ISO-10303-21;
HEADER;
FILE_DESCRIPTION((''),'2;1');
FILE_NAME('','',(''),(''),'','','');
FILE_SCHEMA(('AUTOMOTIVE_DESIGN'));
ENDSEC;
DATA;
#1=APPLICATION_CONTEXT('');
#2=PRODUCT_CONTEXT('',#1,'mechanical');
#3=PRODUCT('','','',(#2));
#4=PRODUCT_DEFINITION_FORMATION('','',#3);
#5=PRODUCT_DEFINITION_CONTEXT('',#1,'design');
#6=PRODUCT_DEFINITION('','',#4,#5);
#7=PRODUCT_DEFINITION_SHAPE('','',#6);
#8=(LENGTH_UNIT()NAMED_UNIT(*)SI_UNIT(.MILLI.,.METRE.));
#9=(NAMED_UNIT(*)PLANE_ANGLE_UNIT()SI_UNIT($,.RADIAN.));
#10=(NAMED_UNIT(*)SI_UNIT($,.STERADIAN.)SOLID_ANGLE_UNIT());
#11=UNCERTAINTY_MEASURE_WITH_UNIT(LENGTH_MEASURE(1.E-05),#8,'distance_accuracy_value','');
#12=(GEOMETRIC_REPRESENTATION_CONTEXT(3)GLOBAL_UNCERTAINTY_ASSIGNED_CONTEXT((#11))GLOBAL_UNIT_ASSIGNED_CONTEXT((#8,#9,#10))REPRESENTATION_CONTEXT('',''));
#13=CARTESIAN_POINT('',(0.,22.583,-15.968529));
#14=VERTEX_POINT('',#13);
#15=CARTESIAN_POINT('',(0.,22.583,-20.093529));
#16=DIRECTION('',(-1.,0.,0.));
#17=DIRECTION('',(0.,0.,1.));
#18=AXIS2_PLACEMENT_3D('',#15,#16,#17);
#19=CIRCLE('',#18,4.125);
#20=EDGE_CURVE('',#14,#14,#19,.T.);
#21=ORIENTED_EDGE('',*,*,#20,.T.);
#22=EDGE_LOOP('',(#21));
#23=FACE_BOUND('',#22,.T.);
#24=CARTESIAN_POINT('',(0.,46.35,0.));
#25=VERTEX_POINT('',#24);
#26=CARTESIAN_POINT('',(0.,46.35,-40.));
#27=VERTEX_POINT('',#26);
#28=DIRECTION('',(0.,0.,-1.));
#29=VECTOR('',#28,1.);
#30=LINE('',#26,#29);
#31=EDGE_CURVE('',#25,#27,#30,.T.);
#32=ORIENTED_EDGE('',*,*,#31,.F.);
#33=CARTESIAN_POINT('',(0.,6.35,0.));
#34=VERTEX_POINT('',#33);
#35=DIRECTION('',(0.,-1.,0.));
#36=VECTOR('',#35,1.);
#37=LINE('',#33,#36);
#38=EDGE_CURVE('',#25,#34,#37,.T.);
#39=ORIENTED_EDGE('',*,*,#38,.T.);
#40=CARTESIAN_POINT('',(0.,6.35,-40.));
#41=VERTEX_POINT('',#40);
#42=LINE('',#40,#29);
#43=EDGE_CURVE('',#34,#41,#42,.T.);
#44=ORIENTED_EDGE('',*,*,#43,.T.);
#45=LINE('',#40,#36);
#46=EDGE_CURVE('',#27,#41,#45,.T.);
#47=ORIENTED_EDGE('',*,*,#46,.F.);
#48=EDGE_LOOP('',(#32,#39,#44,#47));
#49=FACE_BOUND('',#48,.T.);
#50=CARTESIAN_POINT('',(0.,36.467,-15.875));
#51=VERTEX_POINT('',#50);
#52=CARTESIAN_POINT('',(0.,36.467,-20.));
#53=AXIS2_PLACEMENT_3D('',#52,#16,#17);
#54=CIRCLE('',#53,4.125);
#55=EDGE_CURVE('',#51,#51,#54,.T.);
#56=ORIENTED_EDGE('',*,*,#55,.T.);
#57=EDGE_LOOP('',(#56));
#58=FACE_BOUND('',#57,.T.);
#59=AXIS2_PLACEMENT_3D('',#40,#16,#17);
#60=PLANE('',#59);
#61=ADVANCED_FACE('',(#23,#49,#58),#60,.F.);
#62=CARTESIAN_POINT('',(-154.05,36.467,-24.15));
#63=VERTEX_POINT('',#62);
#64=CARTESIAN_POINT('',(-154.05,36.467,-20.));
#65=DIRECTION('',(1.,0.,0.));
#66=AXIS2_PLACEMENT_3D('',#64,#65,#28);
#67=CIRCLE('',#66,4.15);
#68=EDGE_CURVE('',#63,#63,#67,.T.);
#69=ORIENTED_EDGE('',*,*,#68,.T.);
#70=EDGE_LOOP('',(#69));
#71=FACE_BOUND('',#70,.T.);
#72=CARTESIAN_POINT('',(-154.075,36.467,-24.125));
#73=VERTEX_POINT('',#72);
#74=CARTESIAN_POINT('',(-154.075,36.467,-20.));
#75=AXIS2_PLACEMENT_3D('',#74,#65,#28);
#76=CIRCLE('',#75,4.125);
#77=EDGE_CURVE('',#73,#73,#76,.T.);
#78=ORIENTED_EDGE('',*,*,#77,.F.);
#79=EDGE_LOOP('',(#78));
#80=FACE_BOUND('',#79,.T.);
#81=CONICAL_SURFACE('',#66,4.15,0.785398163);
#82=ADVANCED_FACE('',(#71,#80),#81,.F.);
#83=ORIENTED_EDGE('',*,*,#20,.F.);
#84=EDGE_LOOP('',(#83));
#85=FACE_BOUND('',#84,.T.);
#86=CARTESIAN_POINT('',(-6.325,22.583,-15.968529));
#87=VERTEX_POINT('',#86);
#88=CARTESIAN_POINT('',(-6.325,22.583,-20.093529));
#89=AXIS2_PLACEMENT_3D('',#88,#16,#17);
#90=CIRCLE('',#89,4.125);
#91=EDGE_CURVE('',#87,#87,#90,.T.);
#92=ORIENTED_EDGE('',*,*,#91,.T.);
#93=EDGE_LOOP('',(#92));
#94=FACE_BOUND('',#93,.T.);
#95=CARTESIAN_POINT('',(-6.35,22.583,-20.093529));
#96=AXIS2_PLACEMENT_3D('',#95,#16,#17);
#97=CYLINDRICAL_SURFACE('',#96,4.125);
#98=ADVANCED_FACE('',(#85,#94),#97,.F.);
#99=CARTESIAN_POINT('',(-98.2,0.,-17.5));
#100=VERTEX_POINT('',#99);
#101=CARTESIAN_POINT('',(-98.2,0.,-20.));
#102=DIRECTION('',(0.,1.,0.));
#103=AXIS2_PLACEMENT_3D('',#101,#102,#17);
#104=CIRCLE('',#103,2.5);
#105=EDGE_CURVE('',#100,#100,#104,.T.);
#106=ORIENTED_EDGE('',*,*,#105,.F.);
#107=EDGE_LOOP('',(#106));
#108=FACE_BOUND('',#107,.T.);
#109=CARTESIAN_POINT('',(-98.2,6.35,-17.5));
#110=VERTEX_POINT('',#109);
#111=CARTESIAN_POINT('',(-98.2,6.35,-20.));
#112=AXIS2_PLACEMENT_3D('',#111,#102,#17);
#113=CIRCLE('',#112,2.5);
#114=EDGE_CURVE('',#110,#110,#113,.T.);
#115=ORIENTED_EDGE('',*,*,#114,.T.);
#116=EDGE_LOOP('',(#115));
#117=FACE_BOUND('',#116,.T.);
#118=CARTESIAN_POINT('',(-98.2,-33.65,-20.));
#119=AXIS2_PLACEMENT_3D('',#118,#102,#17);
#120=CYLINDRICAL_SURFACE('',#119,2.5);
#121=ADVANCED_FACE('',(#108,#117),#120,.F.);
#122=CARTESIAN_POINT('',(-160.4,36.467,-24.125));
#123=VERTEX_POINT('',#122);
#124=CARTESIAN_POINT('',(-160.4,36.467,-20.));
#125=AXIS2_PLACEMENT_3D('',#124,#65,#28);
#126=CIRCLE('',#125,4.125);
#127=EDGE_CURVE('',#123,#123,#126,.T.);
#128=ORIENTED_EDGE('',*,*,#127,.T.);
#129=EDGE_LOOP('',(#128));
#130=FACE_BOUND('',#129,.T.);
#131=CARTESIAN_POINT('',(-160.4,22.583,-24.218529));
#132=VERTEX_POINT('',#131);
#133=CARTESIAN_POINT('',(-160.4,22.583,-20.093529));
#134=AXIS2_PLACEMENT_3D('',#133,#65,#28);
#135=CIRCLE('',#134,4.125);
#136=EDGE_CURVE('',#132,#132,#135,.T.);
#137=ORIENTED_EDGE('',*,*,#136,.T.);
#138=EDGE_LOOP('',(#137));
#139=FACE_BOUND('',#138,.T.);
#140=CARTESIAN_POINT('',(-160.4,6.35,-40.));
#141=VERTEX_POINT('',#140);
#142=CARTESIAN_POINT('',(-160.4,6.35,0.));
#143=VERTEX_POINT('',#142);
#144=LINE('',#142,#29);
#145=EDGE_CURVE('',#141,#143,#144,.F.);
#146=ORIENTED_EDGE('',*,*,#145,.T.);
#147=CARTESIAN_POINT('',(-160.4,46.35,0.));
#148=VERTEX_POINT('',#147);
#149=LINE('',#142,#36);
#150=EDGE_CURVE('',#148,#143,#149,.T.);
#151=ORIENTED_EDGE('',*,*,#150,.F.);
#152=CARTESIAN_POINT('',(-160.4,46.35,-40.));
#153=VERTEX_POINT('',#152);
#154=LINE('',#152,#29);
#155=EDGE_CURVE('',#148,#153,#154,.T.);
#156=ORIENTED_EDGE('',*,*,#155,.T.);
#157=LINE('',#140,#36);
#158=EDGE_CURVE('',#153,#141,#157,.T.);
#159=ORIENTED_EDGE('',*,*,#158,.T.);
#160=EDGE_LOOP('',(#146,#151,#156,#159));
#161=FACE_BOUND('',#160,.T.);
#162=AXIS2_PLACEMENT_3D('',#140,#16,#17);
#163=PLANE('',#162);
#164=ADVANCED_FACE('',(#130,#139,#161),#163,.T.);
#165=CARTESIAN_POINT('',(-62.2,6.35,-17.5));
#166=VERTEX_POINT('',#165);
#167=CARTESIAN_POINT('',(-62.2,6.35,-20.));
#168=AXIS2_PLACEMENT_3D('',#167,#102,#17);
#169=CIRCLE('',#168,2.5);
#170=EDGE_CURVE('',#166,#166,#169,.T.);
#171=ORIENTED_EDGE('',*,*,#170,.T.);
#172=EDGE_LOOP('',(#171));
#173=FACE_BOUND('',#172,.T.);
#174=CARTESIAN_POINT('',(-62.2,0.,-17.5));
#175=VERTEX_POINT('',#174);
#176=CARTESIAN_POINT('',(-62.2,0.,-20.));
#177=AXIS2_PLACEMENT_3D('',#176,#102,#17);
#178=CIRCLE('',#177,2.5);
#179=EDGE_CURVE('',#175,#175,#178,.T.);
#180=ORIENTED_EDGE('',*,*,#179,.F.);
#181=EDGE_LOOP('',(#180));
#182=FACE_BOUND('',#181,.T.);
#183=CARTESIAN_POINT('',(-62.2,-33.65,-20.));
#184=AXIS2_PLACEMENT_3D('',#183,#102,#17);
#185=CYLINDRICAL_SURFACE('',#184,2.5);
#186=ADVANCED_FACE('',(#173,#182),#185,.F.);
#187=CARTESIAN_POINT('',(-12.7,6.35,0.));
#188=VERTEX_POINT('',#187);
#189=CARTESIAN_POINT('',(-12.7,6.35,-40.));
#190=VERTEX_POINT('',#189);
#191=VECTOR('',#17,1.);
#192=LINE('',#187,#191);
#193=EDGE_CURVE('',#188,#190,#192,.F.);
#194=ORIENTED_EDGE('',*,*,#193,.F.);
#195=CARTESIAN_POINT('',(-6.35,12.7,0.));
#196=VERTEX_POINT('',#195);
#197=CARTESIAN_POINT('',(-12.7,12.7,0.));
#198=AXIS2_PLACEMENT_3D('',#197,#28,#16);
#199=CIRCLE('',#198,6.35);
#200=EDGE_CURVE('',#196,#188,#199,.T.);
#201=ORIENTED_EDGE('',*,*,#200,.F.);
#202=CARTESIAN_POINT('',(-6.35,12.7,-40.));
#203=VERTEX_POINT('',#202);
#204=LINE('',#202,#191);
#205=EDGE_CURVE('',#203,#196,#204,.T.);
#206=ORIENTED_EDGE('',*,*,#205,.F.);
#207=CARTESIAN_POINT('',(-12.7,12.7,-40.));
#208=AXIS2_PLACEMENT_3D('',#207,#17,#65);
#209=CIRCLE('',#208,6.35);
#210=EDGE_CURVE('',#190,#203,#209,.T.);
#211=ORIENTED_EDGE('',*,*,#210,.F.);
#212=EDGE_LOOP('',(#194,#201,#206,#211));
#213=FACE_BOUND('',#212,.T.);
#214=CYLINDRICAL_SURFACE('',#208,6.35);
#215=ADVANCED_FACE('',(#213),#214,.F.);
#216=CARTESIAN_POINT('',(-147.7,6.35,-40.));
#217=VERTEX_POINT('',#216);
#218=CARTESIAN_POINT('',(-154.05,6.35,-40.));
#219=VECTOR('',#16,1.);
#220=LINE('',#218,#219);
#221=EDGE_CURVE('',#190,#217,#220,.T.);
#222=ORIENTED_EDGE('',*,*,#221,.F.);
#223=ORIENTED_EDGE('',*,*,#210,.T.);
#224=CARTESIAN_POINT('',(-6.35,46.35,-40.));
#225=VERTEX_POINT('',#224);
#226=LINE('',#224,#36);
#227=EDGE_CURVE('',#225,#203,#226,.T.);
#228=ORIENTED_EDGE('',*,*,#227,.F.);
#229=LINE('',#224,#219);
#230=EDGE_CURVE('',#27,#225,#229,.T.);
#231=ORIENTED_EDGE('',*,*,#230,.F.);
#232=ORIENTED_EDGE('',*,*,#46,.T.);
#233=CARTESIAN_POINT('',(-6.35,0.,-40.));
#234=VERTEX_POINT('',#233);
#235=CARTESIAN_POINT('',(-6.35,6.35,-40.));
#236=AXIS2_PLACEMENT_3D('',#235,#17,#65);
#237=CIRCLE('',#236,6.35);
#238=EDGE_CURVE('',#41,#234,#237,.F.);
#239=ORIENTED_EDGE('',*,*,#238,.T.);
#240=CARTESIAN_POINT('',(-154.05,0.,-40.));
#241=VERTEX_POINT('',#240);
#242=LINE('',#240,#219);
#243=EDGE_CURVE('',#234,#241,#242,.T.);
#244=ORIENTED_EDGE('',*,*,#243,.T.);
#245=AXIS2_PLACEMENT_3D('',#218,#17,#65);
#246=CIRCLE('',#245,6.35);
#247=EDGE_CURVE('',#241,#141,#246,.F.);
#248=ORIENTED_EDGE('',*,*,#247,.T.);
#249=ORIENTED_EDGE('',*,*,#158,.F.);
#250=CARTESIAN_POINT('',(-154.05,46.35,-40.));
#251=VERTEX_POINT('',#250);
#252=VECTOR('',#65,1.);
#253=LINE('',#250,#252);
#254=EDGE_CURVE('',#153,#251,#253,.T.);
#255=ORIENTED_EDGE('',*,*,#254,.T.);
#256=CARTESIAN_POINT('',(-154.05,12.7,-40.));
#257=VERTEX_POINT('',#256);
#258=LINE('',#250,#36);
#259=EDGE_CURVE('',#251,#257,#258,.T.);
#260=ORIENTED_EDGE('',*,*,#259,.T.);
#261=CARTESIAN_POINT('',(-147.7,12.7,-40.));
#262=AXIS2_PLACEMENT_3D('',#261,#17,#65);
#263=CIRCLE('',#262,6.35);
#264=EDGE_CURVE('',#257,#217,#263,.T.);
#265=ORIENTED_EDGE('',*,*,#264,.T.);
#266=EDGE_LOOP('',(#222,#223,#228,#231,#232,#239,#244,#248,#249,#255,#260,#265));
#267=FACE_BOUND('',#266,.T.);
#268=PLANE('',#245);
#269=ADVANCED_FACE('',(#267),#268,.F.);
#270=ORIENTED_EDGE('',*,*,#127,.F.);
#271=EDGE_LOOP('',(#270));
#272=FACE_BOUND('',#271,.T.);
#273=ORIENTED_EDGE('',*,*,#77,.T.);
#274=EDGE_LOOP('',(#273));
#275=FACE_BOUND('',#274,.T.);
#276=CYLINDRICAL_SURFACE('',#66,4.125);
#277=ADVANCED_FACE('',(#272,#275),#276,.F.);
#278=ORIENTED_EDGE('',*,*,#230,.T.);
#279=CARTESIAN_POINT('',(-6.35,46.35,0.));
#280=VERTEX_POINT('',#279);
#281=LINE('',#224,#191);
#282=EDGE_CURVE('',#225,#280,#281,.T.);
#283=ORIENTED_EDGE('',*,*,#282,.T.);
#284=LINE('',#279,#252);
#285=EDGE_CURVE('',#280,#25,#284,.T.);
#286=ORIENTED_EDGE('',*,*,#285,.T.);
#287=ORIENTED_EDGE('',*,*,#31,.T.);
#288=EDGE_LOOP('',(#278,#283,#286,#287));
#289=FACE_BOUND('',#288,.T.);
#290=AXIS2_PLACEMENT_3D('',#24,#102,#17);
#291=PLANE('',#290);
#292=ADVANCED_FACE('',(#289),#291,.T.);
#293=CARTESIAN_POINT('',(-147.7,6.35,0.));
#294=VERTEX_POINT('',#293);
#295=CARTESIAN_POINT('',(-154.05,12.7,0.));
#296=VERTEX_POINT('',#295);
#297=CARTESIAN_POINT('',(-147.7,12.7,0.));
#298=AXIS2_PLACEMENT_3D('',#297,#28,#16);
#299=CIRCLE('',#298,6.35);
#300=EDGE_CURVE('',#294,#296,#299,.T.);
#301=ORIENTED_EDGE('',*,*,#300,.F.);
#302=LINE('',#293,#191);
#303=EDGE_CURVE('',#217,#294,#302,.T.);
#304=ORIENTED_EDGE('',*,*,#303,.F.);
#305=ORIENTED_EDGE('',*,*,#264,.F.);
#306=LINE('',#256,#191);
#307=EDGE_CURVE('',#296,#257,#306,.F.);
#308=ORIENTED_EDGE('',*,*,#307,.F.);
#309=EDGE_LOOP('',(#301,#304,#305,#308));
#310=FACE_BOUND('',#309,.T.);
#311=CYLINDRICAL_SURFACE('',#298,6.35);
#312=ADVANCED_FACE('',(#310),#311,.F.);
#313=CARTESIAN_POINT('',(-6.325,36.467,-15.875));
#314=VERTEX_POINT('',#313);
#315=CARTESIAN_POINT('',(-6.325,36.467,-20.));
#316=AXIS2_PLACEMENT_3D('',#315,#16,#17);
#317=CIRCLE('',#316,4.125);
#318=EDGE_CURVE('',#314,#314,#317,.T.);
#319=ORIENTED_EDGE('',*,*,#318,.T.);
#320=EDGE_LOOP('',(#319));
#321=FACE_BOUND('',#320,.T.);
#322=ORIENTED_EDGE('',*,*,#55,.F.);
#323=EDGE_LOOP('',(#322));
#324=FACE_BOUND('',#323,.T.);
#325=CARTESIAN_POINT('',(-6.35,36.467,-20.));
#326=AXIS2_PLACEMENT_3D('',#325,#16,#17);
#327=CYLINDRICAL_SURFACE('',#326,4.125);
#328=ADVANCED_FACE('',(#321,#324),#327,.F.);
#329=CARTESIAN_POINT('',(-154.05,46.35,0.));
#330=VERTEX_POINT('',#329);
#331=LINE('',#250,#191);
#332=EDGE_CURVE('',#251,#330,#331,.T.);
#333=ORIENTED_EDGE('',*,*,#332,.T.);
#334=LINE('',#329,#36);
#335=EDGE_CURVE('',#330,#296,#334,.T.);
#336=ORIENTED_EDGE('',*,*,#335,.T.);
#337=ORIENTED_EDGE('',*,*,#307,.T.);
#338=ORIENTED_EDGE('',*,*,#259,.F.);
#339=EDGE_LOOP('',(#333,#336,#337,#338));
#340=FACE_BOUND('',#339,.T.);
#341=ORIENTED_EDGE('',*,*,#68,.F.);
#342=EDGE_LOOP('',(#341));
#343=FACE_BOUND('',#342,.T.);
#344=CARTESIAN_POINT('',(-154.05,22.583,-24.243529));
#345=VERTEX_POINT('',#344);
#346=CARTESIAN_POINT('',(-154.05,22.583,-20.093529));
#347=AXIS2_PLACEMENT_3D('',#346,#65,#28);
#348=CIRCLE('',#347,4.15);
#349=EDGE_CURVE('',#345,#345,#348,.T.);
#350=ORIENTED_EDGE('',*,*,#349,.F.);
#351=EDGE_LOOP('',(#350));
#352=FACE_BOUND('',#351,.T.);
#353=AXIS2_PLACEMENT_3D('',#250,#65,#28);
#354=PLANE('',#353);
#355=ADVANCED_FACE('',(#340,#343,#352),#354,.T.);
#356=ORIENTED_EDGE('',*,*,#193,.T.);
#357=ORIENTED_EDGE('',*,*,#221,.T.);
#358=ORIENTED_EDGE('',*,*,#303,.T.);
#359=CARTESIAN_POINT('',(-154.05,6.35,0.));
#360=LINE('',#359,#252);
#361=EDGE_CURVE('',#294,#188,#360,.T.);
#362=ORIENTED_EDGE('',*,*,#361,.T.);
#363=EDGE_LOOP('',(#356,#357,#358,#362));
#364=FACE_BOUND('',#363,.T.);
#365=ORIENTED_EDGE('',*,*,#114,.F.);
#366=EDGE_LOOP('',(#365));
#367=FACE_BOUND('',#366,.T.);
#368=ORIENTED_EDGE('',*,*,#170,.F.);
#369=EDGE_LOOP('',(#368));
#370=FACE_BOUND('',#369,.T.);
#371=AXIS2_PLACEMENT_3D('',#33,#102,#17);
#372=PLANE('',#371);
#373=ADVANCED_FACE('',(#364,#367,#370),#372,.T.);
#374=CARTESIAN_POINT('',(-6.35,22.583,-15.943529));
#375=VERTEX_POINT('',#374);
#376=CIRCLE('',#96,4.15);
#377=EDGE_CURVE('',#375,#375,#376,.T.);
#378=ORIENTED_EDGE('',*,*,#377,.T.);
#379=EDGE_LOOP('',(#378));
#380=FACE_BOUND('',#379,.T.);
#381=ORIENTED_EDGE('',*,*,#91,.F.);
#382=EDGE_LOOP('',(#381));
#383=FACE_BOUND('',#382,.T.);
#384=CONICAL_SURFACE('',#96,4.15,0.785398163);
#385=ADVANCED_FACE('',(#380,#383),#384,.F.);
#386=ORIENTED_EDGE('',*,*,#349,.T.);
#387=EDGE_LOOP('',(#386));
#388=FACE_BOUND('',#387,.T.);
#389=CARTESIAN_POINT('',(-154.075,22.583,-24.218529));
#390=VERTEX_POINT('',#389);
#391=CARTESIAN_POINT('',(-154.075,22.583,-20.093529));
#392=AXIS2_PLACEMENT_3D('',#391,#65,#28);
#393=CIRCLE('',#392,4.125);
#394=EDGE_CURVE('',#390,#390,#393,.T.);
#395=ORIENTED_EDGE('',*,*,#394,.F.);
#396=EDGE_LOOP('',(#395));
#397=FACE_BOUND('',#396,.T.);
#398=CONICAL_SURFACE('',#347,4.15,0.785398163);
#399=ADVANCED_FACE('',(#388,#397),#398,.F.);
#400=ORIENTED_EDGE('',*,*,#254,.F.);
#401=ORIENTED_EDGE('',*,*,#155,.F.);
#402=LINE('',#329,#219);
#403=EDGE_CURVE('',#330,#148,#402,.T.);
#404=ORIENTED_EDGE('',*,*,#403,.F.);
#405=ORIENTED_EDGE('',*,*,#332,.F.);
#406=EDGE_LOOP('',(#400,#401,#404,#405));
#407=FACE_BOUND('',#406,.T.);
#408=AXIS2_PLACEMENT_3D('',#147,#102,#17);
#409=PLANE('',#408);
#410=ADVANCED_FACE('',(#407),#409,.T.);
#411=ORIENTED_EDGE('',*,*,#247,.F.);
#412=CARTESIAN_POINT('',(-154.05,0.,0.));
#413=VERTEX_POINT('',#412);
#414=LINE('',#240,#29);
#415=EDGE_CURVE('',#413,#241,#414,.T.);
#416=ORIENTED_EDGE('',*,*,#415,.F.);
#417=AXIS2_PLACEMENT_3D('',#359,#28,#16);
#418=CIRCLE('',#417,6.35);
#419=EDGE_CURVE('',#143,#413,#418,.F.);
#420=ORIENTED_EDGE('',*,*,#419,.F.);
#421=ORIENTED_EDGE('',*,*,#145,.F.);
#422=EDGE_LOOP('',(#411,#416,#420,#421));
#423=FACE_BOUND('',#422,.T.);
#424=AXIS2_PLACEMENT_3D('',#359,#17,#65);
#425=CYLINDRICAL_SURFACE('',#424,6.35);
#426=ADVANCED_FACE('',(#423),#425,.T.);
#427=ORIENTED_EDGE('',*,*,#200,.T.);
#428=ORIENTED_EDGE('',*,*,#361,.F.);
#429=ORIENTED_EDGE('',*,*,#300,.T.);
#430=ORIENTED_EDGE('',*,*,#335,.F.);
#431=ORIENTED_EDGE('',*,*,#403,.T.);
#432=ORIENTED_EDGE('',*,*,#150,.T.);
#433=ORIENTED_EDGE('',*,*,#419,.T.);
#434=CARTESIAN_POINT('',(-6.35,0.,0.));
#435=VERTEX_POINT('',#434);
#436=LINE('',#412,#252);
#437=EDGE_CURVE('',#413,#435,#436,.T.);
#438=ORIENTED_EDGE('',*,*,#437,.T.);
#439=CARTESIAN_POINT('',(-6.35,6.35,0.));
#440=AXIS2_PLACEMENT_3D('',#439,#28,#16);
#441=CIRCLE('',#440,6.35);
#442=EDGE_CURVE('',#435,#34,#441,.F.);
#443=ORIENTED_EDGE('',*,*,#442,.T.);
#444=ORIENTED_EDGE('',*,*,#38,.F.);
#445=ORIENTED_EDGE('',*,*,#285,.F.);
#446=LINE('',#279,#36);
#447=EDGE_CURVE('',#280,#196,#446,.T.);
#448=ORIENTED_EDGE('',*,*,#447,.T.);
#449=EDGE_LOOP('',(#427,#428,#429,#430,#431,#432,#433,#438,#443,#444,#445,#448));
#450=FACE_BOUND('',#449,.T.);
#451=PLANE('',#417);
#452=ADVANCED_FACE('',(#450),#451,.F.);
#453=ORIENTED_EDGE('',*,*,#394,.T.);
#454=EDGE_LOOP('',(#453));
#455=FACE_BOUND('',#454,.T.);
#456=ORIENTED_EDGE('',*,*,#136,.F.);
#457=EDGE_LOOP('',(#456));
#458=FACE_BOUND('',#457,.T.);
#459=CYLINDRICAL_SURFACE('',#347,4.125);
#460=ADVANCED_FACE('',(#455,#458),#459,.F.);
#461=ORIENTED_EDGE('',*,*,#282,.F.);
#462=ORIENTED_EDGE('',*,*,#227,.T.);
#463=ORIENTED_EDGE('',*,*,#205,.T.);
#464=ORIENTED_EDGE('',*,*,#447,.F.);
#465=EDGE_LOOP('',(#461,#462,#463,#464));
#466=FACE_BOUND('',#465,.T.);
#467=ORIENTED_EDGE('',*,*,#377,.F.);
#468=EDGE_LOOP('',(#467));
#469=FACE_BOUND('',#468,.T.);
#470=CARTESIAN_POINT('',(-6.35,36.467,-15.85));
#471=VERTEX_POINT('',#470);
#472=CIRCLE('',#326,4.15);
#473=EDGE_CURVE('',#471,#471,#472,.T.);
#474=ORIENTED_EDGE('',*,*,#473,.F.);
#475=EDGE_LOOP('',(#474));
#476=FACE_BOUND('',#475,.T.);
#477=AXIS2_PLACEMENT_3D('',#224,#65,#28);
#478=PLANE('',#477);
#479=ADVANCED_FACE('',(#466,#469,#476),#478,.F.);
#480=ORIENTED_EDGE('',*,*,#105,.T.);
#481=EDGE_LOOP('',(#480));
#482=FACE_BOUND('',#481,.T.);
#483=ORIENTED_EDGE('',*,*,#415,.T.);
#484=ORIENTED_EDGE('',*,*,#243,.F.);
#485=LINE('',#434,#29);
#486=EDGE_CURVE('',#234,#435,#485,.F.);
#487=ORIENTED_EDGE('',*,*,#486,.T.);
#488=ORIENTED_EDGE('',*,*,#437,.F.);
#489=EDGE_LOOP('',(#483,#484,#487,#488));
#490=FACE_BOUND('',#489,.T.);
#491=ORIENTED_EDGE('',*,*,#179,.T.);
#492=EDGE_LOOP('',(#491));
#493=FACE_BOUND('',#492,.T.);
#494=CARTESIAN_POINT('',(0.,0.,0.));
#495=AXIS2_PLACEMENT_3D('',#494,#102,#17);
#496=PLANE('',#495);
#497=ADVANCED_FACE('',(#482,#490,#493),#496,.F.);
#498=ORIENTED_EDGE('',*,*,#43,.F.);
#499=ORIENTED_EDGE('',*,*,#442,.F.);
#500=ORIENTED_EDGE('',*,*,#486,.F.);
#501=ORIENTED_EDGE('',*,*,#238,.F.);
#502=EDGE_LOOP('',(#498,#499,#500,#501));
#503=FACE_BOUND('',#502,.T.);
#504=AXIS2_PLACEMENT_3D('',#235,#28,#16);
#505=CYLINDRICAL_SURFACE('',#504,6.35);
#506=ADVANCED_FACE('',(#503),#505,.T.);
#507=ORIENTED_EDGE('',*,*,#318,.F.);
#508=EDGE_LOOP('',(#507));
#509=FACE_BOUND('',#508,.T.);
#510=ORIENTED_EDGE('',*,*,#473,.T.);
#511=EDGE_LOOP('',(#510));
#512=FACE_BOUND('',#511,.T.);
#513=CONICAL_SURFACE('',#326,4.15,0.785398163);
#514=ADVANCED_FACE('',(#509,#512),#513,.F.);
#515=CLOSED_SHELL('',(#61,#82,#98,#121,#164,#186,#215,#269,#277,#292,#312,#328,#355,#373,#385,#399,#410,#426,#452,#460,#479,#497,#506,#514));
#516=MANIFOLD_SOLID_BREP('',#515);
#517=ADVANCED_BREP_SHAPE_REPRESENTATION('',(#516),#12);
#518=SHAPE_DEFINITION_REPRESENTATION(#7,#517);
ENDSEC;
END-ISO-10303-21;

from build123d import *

# Parameters (mm, degrees)
SKETCH1_W                             = 154.05
SKETCH1_H                             = 40
BOSS_EXTRUDE1_DEPTH                   = 6.35
SKETCH2_W                             = 6.35
SKETCH2_H                             = 40
BOSS_EXTRUDE2_DEPTH                   = 40
FILLET1_R                             = 6.35
TAP_DRILL_FOR_M8_HELICOIL1_AT_2_COUNT = 2
TAP_DRILL_FOR_M8_HELICOIL1_AT_2_PITCH = 13.884315024
FILLET1_OF_MIRROR1_R                  = 6.35
SKETCH6_R                             = 2.5
CUT_EXTRUDE1_DEPTH                    = 40


with BuildPart() as part:
    # Sketch1 → Boss-Extrude1 (new body)
    with BuildSketch(Plane(origin=(0, 0, 0), x_dir=(1, 0, 0), z_dir=(0, 1, 0))):
        with Locations((-77.025, 20)):
            Rectangle(SKETCH1_W, SKETCH1_H)
    boss_extrude1 = extrude(amount=BOSS_EXTRUDE1_DEPTH)

    # Sketch2 → Boss-Extrude2 (add)
    with BuildSketch(Plane(origin=(0, 6.35, 0), x_dir=(1, 0, 0), z_dir=(0, 1, 0))):
        with Locations((-3.175, 20)):
            Rectangle(SKETCH2_W, SKETCH2_H)
    boss_extrude2 = extrude(amount=BOSS_EXTRUDE2_DEPTH)

    # Fillet1
    fillet1_edges = [part.edges().sort_by_distance(p)[0] for p in [
        (-6.35, 6.35, -20),
        (0, 0, -20),
    ]]
    fillet(fillet1_edges, radius=FILLET1_R)

    # Sketch5 → Tap Drill for M8 Helicoil1 (revolve, cut)
    with BuildSketch(Plane(origin=(-6.35, 36.467, -20), x_dir=(0, 0, 1), z_dir=(0, 1, 0))):
        Polygon((0, 0), (0, 6.35), (4.125, 6.35), (4.125, 0.025), (4.15, 0), align=None)
    tap_drill_for_m8_helicoil1 = revolve(axis=Axis((-12.7, 36.467, -20), (1, 0, 0)), mode=Mode.SUBTRACT)

    # Tap Drill for M8 Helicoil1 at 2: Tap Drill for M8 Helicoil1 ×2
    with Locations(*[Vector(0, -0.9999773107839142, -0.006736313336781501) * (i * TAP_DRILL_FOR_M8_HELICOIL1_AT_2_PITCH) for i in range(1, TAP_DRILL_FOR_M8_HELICOIL1_AT_2_COUNT)]):
        add(tap_drill_for_m8_helicoil1, mode=Mode.SUBTRACT)

    # Mirror1: Boss-Extrude1, Boss-Extrude2, Tap Drill for M8 Helicoil1 across plane
    add(boss_extrude1.mirror(Plane.ZY.offset(80.2)))
    add(boss_extrude2.mirror(Plane.ZY.offset(80.2)))
    add(tap_drill_for_m8_helicoil1.mirror(Plane.ZY.offset(80.2)), mode=Mode.SUBTRACT)

    # Mirror1 copy 1 sketch → Mirror1 copy 1 (revolve, cut)
    with BuildSketch(Plane(origin=(-154.05, 22.583, -20.093529096), x_dir=(0, 0, 1), z_dir=(0, 1, 0))):
        Polygon((0, 0), (0, -6.35), (4.125, -6.35), (4.125, -0.025), (4.15, 0), align=None)
    revolve(axis=Axis((-147.7, 22.583, -20.093529096), (1, 0, 0)), mode=Mode.SUBTRACT)

    # Fillet1 of Mirror1
    fillet1_of_mirror1_edges = [part.edges().sort_by_distance(p)[0] for p in [
        (-154.05, 6.35, -20),
        (-160.4, 0, -20),
    ]]
    fillet(fillet1_of_mirror1_edges, radius=FILLET1_OF_MIRROR1_R)

    # Sketch6 → Cut-Extrude1 (cut)
    with BuildSketch(Plane(origin=(0, 6.35, 0), x_dir=(1, 0, 0), z_dir=(0, 1, 0))):
        with Locations(Location((-98.2, 20, 0), (0, 0, 270))):
            Circle(SKETCH6_R)
        with Locations(Location((-62.2, 20, 0), (0, 0, 270))):
            Circle(SKETCH6_R)
    extrude(amount=-CUT_EXTRUDE1_DEPTH, mode=Mode.SUBTRACT)


solid = part.part
